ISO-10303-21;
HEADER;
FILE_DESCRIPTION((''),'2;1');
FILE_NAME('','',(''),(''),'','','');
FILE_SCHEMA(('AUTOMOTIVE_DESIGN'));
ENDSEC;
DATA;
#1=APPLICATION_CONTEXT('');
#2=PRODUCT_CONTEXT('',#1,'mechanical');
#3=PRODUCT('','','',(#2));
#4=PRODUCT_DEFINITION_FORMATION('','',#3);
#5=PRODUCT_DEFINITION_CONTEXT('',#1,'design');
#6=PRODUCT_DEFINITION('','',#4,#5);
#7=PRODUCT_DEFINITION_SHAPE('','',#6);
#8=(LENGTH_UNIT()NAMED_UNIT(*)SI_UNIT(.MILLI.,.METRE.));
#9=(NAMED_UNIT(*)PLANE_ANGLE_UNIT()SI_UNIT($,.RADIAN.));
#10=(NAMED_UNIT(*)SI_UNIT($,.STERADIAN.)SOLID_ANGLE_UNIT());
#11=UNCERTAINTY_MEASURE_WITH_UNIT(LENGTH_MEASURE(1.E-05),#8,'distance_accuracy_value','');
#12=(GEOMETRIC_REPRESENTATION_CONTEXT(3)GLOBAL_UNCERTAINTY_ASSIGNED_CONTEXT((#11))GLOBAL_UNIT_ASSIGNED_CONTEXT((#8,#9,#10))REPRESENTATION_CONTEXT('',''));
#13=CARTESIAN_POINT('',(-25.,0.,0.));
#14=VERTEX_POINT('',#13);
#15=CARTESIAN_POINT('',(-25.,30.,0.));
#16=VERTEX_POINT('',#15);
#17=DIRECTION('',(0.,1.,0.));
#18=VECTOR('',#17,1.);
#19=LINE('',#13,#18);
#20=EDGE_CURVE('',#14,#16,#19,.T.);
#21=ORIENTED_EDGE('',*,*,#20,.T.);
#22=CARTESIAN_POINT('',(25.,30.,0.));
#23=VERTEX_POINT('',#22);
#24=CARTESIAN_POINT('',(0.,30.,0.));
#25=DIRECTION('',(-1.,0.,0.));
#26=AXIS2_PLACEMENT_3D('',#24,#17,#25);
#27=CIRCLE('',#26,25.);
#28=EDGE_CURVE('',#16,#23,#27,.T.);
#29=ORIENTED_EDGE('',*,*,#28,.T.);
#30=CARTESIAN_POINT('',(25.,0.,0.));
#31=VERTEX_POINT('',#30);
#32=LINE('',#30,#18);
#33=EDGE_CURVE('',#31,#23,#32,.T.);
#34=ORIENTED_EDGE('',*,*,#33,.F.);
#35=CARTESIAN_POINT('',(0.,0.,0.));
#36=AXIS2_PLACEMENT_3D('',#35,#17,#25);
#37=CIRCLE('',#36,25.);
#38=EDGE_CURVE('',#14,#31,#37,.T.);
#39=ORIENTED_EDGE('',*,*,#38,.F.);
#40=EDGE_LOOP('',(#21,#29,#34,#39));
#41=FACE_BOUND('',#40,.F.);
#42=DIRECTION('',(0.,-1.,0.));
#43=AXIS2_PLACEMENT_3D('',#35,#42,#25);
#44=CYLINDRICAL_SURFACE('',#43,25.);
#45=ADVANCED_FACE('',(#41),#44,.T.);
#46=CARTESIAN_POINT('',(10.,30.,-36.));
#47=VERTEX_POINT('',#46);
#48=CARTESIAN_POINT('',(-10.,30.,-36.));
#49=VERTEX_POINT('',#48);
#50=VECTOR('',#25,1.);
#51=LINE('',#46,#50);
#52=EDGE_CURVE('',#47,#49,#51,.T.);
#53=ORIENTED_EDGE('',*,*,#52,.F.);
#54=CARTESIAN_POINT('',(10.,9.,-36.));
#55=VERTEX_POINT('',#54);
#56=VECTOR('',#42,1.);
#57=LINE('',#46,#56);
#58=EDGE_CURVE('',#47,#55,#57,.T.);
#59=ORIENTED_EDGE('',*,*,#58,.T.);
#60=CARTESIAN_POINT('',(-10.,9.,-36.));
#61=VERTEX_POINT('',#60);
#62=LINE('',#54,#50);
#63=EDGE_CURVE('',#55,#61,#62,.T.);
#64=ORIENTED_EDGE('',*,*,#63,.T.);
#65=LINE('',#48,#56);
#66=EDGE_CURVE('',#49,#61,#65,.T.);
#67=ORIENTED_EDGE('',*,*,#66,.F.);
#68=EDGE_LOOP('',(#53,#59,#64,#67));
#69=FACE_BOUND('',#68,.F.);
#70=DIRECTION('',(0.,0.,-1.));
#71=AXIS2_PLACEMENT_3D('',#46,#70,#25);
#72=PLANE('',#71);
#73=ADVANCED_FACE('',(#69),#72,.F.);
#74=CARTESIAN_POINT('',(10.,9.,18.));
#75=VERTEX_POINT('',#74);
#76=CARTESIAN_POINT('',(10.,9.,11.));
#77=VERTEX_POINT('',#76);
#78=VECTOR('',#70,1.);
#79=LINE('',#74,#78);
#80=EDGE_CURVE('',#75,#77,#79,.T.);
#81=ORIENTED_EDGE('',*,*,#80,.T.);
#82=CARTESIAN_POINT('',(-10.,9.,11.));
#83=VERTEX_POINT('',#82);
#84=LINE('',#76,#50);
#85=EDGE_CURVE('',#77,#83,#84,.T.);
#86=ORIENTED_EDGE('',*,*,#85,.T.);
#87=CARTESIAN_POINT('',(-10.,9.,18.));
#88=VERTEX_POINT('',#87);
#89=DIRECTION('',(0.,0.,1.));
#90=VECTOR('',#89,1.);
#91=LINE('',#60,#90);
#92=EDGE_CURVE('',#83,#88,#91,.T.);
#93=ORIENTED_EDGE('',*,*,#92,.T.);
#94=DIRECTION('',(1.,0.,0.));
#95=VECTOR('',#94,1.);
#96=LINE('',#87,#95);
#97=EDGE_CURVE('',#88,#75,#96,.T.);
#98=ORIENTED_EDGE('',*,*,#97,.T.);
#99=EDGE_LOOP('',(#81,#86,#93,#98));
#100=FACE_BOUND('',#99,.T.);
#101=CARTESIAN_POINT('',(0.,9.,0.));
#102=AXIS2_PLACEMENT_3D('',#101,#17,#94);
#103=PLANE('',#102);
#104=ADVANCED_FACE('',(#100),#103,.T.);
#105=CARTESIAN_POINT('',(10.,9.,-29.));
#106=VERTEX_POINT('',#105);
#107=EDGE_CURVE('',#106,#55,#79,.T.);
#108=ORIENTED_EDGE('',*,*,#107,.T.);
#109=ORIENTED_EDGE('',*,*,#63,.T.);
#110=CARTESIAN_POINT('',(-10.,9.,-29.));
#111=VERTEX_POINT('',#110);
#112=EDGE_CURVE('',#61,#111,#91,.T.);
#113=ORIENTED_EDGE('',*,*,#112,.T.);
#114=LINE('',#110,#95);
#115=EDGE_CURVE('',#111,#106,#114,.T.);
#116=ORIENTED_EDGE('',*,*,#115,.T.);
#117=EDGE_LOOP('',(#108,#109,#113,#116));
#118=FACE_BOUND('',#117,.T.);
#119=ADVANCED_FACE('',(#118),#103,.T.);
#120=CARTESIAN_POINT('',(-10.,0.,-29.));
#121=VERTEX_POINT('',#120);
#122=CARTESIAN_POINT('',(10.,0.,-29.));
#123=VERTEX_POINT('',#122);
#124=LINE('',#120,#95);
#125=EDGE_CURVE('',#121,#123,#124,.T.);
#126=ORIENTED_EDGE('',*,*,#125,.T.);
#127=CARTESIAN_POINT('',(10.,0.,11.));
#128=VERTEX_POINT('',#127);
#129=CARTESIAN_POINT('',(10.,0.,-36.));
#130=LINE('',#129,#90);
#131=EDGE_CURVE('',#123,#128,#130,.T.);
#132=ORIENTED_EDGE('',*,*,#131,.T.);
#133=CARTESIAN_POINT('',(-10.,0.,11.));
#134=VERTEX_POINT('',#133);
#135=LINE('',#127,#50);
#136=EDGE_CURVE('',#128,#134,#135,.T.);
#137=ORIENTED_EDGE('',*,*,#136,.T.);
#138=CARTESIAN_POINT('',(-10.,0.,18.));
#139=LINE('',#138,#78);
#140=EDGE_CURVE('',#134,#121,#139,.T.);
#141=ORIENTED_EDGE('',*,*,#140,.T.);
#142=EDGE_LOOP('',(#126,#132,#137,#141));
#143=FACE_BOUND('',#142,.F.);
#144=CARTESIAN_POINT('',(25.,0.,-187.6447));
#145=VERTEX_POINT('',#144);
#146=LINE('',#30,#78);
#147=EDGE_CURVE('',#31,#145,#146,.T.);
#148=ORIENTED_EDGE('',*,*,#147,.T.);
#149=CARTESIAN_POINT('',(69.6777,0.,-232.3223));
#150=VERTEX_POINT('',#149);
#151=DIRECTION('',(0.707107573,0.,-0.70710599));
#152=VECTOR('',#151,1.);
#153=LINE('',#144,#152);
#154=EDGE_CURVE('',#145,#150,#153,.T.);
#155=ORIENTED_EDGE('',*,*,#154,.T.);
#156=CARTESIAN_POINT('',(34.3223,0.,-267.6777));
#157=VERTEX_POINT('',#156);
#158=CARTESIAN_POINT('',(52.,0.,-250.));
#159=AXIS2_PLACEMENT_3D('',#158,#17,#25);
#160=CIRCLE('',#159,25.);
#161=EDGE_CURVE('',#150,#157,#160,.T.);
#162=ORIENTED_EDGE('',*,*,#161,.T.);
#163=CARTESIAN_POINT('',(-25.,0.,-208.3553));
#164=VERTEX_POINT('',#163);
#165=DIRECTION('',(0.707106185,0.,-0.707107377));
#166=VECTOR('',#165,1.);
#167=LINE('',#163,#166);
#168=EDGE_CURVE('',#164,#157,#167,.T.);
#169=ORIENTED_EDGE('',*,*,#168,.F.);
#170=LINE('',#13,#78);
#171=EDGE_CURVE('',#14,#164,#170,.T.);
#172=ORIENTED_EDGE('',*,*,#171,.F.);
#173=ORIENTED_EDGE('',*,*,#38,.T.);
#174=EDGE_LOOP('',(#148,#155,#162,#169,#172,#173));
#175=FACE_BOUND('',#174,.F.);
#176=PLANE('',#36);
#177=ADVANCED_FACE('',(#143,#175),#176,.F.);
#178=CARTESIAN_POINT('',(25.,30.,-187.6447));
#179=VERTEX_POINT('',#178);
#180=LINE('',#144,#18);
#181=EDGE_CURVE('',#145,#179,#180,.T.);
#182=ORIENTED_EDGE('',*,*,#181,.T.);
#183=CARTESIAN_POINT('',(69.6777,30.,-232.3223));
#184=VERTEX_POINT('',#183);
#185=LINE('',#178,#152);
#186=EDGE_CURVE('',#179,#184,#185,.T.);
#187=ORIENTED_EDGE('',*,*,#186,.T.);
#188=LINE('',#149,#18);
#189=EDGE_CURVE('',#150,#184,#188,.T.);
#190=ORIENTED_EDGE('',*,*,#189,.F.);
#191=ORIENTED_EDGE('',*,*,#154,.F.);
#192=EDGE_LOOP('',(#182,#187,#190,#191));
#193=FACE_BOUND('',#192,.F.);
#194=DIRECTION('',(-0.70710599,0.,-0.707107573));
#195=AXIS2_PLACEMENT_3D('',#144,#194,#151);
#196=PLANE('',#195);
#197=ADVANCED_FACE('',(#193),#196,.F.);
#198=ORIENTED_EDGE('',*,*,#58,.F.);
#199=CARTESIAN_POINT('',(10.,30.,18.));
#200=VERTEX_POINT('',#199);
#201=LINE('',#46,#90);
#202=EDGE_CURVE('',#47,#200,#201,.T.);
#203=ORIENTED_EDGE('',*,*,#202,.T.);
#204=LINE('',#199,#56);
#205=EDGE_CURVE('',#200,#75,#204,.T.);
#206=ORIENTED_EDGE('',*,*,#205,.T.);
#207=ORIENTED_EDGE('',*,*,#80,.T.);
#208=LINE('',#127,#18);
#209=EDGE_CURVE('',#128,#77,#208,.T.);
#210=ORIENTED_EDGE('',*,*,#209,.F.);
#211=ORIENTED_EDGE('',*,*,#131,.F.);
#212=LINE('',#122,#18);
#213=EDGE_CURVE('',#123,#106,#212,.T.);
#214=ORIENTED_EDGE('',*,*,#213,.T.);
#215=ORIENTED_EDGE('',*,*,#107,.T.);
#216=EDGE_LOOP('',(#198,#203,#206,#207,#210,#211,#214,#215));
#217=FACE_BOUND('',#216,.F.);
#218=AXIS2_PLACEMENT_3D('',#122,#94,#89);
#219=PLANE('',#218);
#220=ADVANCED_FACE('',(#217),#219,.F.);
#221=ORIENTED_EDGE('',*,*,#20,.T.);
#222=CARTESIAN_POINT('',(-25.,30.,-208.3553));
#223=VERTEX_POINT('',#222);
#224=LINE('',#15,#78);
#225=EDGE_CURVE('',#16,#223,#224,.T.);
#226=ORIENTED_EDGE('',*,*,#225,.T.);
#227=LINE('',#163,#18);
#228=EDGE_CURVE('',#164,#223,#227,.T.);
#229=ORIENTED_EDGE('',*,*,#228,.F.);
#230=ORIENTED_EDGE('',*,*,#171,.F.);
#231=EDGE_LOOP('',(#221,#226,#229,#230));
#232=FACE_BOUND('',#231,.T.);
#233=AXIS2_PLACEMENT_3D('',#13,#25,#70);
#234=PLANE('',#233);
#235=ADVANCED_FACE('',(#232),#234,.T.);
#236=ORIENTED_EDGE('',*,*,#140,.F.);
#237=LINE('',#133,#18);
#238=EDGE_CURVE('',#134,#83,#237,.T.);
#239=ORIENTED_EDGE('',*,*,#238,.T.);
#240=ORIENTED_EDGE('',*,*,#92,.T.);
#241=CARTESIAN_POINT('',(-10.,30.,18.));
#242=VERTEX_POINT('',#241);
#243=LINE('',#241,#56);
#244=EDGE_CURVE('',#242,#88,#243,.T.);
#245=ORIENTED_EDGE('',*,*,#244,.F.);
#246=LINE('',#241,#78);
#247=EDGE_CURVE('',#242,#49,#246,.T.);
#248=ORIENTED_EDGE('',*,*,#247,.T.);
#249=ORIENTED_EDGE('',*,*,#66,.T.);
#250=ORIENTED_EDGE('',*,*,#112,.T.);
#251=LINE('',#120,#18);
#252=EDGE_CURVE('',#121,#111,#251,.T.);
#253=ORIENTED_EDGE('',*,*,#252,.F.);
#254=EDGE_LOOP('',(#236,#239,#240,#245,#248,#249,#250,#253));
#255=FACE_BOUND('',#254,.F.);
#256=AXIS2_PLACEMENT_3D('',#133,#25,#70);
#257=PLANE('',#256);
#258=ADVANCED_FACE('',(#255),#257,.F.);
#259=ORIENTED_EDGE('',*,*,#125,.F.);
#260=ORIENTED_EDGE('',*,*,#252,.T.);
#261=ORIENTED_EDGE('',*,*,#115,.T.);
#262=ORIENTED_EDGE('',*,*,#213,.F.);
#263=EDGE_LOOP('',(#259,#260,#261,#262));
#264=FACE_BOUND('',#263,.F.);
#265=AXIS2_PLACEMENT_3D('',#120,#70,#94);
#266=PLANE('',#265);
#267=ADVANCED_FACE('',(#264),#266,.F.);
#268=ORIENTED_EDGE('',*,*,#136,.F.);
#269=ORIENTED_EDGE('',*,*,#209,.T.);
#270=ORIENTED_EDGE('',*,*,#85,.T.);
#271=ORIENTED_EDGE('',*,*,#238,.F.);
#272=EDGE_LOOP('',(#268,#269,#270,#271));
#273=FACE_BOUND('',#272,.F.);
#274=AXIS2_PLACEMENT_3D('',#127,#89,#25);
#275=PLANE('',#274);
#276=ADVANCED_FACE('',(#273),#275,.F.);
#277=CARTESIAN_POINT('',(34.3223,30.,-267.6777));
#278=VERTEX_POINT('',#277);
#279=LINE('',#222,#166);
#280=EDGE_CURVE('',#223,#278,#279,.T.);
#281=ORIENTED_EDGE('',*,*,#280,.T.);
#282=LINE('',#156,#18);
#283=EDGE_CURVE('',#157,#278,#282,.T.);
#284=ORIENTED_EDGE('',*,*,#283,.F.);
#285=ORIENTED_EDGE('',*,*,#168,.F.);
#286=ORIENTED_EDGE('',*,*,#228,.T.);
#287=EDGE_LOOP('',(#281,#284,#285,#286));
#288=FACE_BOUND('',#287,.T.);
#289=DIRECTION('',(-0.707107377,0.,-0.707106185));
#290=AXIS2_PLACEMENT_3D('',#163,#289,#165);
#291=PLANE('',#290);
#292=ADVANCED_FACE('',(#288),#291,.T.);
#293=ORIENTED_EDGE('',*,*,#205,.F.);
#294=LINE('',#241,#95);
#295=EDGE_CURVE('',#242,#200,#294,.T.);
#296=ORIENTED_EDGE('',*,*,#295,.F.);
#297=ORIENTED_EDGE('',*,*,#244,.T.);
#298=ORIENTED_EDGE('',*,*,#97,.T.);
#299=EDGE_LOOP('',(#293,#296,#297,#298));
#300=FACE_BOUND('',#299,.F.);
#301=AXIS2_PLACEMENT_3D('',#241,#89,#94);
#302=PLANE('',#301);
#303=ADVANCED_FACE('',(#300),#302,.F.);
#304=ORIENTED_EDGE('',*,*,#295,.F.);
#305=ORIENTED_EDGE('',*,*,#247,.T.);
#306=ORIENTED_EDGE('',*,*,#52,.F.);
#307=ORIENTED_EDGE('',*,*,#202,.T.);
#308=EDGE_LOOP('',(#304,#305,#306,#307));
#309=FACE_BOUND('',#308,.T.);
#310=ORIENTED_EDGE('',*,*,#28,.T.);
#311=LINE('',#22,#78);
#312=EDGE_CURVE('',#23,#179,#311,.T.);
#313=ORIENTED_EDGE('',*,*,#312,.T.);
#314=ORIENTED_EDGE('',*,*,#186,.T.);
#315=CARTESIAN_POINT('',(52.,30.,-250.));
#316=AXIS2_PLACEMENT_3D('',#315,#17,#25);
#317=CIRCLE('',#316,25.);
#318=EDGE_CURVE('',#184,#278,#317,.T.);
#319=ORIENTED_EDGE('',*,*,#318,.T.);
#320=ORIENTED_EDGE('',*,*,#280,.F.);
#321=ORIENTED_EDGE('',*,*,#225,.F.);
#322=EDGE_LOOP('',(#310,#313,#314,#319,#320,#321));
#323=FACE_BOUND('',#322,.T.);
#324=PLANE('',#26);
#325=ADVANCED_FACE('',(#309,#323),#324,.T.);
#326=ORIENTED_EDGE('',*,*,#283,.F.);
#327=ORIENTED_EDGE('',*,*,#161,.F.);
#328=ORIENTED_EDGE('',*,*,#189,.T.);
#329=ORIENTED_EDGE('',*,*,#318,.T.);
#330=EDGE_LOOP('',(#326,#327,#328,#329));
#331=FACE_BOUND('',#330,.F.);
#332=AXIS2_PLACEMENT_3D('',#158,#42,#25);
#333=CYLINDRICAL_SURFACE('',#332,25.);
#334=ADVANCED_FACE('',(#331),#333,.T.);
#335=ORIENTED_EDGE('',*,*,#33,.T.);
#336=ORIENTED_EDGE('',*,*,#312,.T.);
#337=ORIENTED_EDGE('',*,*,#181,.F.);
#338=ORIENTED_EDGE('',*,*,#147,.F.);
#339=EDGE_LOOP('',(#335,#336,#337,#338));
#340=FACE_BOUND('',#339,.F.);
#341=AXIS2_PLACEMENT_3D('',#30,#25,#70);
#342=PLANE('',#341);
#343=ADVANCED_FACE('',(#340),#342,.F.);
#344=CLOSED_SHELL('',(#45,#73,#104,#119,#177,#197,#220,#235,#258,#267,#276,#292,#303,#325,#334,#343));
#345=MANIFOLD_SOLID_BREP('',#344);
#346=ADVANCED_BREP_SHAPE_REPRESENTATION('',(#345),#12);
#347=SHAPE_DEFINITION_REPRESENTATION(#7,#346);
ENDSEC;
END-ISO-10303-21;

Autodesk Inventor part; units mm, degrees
ref_plane "YZ Plane" through (0, 0, 0) normal (1, 0, 0) x (0, 1, 0)
ref_plane "XZ Plane" through (0, 0, 0) normal (0, 1, 0) x (-1, 0, 0)
ref_plane "XY Plane" through (0, 0, 0) normal (0, 0, 1) x (1, 0, 0)
sketch "Sketch1" plane through (0, 0, 0) normal (0, 1, 0) x (-1, 0, 0)
  circle A0 centre (0, 0) radius 25
  line L0 (25, 0) -> (25, -208.3553)
  line L1 (25, -208.3553) -> (-34.3223, -267.6777)
  line L2 (-25, 0) -> (-25, -187.6447)
  line L3 (-25, -187.6447) -> (-69.6777, -232.3223)
  circle A1 centre (-52, -250) radius 25
  dimension "d0" = 50
  dimension "d1" = 50
  dimension "d2" = 250
  dimension "d3" = 27
  dimension "d4" = 135
extrude "Extrusion1" add sketch "Sketch1" along normal blind 30
sketch "Sketch2" plane through (0, 0, 0) normal (0, -1, 0) x (1, 0, 0)
  line L0 (-10, -36) -> (10, -36)
  line L1 (10, -36) -> (10, 18)
  line L2 (10, 18) -> (-10, 18)
  line L3 (-10, 18) -> (-10, -36)
  line L4 (-10, -29) -> (10, -29)
  line L5 (10, -29) -> (10, 11)
  line L6 (10, 11) -> (-10, 11)
  line L7 (-10, 11) -> (-10, -29)
  point P0 (0, 0)
  point P1 (-10, 11)
  dimension "d7" = 54
  dimension "d8" = 20
  dimension "d9" = 10
  dimension "d10" = 7
  dimension "d11" = 40
  dimension "d12" = 36
extrude "Extrusion2" cut sketch "Sketch2" against normal through all contours L3 L6 L1 L4
sketch "Sketch3" plane through (0, 30, 0) normal (0, 1, 0) x (1, 0, 0)
  line L0 (-10, -18) -> (10, -18)
  line L1 (10, -18) -> (10, 36)
  line L2 (10, 36) -> (-10, 36)
  line L3 (-10, 36) -> (-10, -18)
  line L4 (10, -11) -> (-10, -11) projected
  line L5 (-10, 29) -> (10, 29) projected
  point P0 (0, 0)
  dimension "d15" = 7
  dimension "d16" = 7
extrude "Extrusion3" cut sketch "Sketch3" against normal blind 21 contours L3 L4 L1 L0 | L3 L2 L1 L5
sketch "Sketch4" plane through (0, 30, 0) normal (0, 1, 0) x (1, 0, 0)
  point P0 (0, 0)
properties part number "Arm 1"
